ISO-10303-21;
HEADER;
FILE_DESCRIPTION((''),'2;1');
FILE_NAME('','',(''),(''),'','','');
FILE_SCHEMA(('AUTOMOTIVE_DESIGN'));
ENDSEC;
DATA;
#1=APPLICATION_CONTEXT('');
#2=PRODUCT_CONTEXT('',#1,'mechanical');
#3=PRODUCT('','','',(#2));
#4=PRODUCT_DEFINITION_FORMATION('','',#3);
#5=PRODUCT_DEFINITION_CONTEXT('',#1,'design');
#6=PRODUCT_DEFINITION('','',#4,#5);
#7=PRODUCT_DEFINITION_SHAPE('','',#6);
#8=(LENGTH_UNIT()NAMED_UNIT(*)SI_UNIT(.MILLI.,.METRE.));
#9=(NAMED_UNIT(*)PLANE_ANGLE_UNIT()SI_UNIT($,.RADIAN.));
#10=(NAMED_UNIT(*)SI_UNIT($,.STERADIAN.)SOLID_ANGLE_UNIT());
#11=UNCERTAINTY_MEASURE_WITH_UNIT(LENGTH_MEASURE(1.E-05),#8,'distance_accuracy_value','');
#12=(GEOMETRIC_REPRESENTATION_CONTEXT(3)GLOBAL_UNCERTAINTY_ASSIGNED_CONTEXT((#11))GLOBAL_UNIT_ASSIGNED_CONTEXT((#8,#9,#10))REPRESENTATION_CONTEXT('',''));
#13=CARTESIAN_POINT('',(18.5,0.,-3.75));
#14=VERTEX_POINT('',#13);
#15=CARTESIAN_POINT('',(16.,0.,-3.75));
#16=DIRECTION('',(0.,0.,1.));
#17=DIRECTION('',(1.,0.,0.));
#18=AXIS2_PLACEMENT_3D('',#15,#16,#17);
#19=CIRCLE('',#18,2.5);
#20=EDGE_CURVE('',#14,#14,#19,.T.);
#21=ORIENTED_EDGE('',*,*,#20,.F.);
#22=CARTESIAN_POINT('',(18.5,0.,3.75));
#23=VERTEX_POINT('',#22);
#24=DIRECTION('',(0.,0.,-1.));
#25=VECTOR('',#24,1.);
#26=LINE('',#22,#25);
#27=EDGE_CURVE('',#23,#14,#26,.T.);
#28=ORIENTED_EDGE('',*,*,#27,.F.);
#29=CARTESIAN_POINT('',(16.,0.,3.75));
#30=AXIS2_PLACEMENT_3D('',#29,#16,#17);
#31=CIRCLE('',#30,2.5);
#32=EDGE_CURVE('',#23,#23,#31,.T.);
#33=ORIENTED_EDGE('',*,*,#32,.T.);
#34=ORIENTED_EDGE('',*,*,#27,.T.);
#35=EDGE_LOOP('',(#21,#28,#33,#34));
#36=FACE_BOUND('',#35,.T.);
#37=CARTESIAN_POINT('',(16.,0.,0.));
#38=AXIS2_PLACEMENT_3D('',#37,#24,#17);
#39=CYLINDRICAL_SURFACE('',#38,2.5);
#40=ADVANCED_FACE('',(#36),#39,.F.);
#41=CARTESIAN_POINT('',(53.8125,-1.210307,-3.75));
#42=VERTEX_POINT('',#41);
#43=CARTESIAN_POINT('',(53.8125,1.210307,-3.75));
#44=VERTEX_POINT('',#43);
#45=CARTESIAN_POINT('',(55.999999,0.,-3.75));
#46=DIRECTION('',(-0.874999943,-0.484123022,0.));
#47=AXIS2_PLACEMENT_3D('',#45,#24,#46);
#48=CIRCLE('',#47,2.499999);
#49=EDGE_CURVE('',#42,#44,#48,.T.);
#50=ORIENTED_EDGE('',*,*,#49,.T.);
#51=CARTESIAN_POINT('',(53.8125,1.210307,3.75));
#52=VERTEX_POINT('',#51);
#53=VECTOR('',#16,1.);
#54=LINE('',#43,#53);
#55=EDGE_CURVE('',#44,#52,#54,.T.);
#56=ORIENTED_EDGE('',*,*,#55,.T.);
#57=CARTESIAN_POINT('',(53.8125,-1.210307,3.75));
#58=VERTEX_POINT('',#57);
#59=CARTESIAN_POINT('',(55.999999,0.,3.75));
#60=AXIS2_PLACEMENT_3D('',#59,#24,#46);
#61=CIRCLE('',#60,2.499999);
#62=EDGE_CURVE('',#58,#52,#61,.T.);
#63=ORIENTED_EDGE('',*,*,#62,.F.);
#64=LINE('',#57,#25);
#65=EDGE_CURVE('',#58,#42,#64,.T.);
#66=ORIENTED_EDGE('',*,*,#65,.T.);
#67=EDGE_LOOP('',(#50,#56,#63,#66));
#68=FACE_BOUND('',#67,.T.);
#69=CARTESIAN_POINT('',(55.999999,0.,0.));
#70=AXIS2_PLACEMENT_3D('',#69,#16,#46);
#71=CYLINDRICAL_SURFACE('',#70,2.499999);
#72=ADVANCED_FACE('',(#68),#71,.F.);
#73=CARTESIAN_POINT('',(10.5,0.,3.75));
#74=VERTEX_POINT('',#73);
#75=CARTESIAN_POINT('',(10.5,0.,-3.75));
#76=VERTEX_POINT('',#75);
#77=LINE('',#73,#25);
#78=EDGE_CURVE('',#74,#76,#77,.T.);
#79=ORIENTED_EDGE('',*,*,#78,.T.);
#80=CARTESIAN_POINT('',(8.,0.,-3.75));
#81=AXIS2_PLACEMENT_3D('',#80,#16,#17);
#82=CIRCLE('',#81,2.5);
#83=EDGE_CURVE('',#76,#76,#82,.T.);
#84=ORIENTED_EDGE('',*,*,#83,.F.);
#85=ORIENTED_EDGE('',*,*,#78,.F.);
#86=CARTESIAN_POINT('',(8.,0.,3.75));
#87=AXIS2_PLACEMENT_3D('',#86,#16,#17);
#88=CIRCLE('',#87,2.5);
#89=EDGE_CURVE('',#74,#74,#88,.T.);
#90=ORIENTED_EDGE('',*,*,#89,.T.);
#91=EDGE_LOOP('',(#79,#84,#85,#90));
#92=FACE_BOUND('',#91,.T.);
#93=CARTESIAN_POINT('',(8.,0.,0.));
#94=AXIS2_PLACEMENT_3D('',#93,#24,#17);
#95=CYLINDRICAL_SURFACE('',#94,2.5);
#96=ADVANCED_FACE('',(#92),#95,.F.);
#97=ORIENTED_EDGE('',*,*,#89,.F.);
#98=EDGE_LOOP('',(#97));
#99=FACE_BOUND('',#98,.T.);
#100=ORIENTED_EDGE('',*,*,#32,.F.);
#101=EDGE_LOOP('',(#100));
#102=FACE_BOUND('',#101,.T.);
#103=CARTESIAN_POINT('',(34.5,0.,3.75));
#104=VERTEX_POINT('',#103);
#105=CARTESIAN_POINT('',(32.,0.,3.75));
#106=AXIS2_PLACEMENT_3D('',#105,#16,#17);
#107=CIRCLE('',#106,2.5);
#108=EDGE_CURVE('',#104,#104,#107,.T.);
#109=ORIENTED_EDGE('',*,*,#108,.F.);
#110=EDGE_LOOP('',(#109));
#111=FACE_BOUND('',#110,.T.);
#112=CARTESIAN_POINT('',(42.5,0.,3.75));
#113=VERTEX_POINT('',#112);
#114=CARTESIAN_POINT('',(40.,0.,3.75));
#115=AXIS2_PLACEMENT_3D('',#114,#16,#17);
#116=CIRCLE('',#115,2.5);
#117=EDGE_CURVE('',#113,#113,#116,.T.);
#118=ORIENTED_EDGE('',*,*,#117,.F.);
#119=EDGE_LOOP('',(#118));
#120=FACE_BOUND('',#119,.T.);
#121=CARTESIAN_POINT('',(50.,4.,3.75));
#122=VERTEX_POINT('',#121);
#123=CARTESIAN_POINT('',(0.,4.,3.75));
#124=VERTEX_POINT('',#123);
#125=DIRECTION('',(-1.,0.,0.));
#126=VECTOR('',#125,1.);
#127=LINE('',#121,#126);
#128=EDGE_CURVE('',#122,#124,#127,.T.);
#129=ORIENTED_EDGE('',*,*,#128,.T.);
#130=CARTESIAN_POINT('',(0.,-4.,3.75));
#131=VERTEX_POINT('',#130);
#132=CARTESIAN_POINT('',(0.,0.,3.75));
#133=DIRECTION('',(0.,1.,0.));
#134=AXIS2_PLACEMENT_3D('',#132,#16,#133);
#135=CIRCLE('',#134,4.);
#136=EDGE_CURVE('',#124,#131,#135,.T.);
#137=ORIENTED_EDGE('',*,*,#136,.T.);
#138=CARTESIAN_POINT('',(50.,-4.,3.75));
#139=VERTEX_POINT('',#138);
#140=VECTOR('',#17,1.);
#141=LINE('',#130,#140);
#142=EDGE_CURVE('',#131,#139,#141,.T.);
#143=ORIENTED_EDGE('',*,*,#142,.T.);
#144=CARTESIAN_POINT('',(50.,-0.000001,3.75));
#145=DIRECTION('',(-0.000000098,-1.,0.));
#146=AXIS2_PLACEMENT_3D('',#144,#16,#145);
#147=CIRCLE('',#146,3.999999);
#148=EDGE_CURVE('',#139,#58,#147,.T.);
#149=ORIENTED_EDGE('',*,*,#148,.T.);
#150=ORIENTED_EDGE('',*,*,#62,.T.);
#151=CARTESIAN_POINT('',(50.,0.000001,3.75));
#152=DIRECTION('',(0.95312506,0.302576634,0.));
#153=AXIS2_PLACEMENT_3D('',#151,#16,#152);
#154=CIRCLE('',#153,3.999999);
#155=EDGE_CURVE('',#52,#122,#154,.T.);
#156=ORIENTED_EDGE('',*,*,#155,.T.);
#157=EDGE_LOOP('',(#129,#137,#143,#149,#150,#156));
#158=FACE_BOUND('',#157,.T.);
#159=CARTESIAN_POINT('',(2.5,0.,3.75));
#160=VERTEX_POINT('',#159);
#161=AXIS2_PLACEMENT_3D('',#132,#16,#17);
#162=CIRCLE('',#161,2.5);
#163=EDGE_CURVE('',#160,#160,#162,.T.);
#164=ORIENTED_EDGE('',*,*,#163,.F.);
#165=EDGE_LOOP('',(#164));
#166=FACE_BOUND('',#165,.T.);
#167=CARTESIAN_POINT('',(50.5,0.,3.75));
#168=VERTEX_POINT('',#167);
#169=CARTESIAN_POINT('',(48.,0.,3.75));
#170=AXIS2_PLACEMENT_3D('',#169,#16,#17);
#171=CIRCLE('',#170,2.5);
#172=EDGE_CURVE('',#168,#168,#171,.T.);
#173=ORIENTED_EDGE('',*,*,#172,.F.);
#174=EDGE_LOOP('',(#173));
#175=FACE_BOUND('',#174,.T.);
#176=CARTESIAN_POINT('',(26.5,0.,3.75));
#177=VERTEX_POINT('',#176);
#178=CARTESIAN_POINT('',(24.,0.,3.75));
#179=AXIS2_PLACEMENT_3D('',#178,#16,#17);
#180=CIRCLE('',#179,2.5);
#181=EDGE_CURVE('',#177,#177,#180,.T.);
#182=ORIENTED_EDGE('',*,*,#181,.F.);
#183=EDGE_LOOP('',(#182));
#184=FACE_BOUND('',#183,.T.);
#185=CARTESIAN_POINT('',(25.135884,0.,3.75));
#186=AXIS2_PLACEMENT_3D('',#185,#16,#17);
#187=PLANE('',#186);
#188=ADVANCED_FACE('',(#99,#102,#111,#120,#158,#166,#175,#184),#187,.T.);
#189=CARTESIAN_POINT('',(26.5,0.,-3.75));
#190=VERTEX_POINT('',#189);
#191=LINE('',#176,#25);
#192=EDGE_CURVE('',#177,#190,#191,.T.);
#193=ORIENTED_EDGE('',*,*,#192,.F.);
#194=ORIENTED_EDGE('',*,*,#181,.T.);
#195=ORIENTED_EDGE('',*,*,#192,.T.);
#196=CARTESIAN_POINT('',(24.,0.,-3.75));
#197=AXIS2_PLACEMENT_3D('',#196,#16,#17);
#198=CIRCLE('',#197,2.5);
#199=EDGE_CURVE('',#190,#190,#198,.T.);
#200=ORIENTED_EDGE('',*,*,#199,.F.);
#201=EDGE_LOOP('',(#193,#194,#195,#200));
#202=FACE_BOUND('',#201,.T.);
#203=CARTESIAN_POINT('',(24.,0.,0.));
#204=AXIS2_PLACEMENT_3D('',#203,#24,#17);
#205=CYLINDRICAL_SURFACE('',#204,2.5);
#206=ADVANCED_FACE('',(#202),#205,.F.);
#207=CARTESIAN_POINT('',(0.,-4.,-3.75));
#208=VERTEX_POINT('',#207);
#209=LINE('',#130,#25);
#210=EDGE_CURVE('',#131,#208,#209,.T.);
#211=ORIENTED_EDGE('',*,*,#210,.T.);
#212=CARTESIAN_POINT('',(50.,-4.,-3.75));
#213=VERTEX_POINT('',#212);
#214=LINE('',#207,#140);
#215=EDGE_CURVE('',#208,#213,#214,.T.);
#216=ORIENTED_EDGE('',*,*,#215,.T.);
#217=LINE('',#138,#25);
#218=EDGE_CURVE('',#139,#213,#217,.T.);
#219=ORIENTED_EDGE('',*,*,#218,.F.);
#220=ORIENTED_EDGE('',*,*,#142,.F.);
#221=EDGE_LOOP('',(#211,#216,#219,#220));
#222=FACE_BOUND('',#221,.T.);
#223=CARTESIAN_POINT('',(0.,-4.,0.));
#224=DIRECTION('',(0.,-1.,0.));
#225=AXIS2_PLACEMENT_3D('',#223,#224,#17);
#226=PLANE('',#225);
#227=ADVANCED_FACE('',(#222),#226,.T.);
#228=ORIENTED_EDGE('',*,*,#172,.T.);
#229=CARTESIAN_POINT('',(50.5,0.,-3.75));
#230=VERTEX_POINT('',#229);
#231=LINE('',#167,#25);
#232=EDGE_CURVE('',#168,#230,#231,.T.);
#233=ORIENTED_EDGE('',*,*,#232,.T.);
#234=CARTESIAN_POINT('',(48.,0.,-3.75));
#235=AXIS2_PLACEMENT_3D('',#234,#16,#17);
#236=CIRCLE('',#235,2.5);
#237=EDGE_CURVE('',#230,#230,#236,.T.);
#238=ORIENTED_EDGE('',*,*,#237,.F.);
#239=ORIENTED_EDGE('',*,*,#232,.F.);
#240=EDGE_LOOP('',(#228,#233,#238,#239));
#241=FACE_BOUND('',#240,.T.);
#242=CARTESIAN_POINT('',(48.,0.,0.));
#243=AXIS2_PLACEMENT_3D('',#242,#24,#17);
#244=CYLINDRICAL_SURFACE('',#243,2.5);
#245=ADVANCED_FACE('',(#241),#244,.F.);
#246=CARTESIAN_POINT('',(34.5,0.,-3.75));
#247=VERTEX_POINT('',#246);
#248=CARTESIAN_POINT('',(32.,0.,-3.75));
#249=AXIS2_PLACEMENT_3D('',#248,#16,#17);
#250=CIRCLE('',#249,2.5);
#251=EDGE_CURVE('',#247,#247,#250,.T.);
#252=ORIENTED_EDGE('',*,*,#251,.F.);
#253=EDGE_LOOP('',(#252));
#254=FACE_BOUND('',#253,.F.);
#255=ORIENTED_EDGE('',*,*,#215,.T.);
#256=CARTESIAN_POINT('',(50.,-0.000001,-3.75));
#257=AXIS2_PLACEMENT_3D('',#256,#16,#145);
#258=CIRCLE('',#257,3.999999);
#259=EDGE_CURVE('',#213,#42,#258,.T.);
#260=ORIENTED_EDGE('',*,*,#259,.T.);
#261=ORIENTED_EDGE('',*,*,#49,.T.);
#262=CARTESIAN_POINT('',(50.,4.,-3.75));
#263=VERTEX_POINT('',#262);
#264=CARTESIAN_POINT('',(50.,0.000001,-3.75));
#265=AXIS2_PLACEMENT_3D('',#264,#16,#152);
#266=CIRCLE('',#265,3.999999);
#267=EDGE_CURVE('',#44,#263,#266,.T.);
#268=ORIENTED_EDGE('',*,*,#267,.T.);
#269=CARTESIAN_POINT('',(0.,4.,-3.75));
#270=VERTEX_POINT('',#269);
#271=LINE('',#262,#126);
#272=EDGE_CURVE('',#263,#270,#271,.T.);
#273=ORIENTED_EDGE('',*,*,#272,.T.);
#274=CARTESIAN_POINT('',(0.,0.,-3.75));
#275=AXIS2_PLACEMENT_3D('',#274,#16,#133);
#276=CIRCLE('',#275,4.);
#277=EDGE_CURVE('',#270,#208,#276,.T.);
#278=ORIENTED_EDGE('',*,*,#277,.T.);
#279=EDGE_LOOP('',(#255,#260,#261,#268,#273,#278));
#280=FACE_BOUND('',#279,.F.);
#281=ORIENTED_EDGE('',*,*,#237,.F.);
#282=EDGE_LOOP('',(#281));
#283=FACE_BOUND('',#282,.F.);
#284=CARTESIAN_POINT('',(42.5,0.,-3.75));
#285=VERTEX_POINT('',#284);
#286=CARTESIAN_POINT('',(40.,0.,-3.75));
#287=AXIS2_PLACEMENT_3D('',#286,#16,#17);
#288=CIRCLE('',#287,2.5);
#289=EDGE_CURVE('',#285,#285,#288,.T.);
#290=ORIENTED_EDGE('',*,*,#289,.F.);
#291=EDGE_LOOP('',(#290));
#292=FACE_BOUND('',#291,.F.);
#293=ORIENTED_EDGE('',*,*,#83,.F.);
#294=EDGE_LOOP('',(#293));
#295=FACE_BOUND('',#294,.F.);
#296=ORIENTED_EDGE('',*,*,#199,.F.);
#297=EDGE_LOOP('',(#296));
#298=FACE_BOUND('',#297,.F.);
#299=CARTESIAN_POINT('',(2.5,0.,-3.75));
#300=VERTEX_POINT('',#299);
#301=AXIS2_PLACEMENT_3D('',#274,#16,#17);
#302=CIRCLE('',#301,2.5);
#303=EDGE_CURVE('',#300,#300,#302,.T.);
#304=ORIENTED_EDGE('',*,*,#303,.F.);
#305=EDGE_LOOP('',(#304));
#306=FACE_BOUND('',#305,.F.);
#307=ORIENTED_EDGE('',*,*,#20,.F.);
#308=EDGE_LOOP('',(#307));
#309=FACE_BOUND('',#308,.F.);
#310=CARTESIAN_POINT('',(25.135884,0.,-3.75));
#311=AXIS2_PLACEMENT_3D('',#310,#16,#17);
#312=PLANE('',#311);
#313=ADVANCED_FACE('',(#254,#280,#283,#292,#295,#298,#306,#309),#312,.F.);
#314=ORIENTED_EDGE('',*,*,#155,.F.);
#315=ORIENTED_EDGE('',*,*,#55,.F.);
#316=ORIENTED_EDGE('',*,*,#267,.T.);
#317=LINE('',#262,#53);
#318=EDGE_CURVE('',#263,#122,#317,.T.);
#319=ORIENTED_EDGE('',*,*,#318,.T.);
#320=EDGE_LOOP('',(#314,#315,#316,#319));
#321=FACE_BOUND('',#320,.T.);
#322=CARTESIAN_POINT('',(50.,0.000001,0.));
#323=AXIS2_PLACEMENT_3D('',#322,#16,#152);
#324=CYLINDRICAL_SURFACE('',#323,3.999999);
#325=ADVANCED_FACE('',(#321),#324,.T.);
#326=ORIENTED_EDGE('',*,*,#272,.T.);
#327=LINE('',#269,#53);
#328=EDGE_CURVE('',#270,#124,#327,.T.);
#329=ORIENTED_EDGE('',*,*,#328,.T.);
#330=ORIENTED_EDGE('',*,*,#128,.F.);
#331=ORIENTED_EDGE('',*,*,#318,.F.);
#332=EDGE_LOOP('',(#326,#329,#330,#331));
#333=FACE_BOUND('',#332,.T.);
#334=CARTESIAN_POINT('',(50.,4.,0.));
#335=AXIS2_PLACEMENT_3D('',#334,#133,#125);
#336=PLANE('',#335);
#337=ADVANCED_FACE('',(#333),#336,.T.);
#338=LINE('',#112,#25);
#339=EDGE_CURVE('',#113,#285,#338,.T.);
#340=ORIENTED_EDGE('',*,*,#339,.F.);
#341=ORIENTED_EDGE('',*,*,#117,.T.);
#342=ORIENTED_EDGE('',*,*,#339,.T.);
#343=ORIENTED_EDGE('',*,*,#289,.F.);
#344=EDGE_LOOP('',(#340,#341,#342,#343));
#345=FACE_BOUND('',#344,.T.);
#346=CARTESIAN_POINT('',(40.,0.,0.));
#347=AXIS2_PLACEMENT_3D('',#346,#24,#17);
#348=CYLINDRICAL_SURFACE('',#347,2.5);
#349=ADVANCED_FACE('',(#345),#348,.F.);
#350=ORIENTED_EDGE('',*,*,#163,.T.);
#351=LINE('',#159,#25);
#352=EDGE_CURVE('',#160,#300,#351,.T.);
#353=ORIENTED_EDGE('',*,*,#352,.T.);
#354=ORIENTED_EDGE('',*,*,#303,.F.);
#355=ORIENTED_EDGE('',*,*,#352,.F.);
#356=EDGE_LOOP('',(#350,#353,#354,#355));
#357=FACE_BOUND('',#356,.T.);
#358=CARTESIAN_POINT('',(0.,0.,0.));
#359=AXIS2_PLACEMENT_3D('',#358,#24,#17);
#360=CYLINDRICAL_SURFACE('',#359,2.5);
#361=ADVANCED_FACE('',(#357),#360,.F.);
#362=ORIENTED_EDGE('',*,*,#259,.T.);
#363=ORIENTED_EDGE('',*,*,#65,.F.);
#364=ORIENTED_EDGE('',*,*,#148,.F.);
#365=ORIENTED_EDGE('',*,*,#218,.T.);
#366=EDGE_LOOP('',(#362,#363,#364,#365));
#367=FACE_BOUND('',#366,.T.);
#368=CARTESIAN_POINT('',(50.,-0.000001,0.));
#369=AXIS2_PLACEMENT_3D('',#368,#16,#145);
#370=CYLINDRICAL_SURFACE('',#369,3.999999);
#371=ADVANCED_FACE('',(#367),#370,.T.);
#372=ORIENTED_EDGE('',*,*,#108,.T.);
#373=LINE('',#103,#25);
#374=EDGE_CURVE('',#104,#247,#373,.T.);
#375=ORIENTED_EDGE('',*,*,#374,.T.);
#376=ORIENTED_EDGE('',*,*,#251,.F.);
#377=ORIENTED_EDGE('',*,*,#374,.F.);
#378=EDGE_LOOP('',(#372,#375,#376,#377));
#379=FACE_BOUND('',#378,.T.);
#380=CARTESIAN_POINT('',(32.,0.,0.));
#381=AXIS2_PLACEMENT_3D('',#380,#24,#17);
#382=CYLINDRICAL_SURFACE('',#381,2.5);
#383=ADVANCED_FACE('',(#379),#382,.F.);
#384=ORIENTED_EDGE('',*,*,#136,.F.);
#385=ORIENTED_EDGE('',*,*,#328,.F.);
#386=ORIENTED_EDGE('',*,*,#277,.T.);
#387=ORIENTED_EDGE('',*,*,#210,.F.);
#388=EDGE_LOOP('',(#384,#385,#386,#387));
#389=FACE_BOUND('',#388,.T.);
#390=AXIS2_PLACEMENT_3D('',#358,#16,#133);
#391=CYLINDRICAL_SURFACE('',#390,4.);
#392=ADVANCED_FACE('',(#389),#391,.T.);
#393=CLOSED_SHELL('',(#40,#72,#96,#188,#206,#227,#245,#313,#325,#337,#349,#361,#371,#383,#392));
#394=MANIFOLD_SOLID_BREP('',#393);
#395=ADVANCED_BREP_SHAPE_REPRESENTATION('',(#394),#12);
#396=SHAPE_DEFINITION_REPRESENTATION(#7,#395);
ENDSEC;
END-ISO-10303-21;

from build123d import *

# Parameters (mm, degrees)
F0_R     = 2.5
F1_DEPTH = 3.75


with BuildPart() as f1:
    # F0 (on Top) → F1 (new body, symmetric)
    with BuildSketch(Plane.XY):
        with BuildLine():
            ThreePointArc((53.8125, -1.210307), (53.5, 0), (53.8125, 1.210307))
            ThreePointArc((53.8125, 1.210307), (52.362072, 3.228098), (50, 4))
            Line((50, 4), (0, 4))
            ThreePointArc((0, 4), (-4, 0), (0, -4))
            Line((0, -4), (50, -4))
            ThreePointArc((50, -4), (52.362072, -3.228098), (53.8125, -1.210307))
        make_face()
        Circle(F0_R, mode=Mode.SUBTRACT)
        with Locations((8, 0)):
            Circle(F0_R, mode=Mode.SUBTRACT)
        with Locations((16, 0)):
            Circle(F0_R, mode=Mode.SUBTRACT)
        with Locations((24, 0)):
            Circle(F0_R, mode=Mode.SUBTRACT)
        with Locations((32, 0)):
            Circle(F0_R, mode=Mode.SUBTRACT)
        with Locations((40, 0)):
            Circle(F0_R, mode=Mode.SUBTRACT)
        with Locations((48, 0)):
            Circle(F0_R, mode=Mode.SUBTRACT)
    extrude(amount=F1_DEPTH, both=True)


solid = f1.part
